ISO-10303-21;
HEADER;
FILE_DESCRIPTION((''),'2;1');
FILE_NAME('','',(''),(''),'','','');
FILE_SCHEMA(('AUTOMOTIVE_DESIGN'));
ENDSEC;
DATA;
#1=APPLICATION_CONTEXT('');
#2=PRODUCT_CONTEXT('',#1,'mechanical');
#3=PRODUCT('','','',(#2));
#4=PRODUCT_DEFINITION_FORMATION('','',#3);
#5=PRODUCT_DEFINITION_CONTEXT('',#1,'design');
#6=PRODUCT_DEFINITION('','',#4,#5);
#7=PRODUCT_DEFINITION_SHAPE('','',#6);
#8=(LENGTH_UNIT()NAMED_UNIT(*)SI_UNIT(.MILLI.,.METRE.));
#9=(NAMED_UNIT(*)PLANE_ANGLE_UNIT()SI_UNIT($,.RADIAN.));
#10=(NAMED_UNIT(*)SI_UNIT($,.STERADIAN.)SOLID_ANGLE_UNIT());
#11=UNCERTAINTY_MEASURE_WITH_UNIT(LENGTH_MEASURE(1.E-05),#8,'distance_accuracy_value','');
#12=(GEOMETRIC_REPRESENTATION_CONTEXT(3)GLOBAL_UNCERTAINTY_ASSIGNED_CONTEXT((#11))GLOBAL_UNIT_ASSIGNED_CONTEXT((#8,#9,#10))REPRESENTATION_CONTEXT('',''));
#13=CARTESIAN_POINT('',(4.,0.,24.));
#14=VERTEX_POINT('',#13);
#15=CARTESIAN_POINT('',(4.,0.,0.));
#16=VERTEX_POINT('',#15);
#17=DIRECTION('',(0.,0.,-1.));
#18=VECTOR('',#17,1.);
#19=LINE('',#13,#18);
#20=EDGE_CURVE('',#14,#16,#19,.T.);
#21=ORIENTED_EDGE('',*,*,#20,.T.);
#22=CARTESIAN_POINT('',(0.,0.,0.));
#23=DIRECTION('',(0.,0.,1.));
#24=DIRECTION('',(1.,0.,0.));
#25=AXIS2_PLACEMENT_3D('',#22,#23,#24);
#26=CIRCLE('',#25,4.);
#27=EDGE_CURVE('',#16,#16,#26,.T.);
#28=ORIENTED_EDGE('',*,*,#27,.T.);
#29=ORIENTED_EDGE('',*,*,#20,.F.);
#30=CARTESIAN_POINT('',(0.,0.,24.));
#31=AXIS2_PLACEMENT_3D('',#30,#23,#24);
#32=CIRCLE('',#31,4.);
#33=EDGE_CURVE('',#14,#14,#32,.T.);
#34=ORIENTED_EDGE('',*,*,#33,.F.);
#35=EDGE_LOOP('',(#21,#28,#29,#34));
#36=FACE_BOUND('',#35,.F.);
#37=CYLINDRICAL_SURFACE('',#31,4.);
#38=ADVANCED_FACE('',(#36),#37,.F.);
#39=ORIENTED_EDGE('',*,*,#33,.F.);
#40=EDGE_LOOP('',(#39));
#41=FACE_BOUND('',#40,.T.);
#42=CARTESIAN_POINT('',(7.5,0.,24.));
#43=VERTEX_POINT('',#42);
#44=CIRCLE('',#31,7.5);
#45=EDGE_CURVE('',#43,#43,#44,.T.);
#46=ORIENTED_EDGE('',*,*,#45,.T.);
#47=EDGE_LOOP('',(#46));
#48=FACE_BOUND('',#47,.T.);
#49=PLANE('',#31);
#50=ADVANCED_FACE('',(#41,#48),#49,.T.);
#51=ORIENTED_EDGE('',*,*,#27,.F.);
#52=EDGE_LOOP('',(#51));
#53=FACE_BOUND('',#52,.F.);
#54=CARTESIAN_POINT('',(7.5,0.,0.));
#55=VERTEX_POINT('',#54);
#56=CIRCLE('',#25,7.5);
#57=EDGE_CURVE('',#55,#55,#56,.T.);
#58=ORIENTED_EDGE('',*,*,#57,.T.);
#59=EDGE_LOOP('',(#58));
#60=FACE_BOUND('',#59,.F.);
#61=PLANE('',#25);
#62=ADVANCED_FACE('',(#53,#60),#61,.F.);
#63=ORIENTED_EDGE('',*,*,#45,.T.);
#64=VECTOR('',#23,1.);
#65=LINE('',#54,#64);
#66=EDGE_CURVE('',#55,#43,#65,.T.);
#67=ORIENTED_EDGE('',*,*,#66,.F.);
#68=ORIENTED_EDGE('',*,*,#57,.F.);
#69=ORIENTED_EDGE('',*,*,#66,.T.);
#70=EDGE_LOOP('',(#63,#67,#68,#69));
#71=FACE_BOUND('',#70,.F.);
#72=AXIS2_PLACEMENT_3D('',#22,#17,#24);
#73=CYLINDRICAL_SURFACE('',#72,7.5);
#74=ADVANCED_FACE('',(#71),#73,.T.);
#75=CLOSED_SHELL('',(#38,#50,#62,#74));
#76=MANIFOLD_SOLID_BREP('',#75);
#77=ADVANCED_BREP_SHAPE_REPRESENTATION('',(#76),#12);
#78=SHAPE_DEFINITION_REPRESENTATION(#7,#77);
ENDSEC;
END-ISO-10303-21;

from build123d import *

# Parameters (mm, degrees)
CYLINDER_R     = 7.5
CYLINDER_DEPTH = 24
SKETCH_R       = 4
POCKET_DEPTH   = 24.001


with BuildPart() as part:
    # Cylinder → Cylinder (new body)
    with BuildSketch(Plane.XY):
        Circle(CYLINDER_R)
    extrude(amount=CYLINDER_DEPTH)

    # Sketch → Pocket (cut, through all)
    with BuildSketch(Plane.XY.offset(24)):
        Circle(SKETCH_R)
    extrude(amount=-POCKET_DEPTH, mode=Mode.SUBTRACT)


solid = part.part
